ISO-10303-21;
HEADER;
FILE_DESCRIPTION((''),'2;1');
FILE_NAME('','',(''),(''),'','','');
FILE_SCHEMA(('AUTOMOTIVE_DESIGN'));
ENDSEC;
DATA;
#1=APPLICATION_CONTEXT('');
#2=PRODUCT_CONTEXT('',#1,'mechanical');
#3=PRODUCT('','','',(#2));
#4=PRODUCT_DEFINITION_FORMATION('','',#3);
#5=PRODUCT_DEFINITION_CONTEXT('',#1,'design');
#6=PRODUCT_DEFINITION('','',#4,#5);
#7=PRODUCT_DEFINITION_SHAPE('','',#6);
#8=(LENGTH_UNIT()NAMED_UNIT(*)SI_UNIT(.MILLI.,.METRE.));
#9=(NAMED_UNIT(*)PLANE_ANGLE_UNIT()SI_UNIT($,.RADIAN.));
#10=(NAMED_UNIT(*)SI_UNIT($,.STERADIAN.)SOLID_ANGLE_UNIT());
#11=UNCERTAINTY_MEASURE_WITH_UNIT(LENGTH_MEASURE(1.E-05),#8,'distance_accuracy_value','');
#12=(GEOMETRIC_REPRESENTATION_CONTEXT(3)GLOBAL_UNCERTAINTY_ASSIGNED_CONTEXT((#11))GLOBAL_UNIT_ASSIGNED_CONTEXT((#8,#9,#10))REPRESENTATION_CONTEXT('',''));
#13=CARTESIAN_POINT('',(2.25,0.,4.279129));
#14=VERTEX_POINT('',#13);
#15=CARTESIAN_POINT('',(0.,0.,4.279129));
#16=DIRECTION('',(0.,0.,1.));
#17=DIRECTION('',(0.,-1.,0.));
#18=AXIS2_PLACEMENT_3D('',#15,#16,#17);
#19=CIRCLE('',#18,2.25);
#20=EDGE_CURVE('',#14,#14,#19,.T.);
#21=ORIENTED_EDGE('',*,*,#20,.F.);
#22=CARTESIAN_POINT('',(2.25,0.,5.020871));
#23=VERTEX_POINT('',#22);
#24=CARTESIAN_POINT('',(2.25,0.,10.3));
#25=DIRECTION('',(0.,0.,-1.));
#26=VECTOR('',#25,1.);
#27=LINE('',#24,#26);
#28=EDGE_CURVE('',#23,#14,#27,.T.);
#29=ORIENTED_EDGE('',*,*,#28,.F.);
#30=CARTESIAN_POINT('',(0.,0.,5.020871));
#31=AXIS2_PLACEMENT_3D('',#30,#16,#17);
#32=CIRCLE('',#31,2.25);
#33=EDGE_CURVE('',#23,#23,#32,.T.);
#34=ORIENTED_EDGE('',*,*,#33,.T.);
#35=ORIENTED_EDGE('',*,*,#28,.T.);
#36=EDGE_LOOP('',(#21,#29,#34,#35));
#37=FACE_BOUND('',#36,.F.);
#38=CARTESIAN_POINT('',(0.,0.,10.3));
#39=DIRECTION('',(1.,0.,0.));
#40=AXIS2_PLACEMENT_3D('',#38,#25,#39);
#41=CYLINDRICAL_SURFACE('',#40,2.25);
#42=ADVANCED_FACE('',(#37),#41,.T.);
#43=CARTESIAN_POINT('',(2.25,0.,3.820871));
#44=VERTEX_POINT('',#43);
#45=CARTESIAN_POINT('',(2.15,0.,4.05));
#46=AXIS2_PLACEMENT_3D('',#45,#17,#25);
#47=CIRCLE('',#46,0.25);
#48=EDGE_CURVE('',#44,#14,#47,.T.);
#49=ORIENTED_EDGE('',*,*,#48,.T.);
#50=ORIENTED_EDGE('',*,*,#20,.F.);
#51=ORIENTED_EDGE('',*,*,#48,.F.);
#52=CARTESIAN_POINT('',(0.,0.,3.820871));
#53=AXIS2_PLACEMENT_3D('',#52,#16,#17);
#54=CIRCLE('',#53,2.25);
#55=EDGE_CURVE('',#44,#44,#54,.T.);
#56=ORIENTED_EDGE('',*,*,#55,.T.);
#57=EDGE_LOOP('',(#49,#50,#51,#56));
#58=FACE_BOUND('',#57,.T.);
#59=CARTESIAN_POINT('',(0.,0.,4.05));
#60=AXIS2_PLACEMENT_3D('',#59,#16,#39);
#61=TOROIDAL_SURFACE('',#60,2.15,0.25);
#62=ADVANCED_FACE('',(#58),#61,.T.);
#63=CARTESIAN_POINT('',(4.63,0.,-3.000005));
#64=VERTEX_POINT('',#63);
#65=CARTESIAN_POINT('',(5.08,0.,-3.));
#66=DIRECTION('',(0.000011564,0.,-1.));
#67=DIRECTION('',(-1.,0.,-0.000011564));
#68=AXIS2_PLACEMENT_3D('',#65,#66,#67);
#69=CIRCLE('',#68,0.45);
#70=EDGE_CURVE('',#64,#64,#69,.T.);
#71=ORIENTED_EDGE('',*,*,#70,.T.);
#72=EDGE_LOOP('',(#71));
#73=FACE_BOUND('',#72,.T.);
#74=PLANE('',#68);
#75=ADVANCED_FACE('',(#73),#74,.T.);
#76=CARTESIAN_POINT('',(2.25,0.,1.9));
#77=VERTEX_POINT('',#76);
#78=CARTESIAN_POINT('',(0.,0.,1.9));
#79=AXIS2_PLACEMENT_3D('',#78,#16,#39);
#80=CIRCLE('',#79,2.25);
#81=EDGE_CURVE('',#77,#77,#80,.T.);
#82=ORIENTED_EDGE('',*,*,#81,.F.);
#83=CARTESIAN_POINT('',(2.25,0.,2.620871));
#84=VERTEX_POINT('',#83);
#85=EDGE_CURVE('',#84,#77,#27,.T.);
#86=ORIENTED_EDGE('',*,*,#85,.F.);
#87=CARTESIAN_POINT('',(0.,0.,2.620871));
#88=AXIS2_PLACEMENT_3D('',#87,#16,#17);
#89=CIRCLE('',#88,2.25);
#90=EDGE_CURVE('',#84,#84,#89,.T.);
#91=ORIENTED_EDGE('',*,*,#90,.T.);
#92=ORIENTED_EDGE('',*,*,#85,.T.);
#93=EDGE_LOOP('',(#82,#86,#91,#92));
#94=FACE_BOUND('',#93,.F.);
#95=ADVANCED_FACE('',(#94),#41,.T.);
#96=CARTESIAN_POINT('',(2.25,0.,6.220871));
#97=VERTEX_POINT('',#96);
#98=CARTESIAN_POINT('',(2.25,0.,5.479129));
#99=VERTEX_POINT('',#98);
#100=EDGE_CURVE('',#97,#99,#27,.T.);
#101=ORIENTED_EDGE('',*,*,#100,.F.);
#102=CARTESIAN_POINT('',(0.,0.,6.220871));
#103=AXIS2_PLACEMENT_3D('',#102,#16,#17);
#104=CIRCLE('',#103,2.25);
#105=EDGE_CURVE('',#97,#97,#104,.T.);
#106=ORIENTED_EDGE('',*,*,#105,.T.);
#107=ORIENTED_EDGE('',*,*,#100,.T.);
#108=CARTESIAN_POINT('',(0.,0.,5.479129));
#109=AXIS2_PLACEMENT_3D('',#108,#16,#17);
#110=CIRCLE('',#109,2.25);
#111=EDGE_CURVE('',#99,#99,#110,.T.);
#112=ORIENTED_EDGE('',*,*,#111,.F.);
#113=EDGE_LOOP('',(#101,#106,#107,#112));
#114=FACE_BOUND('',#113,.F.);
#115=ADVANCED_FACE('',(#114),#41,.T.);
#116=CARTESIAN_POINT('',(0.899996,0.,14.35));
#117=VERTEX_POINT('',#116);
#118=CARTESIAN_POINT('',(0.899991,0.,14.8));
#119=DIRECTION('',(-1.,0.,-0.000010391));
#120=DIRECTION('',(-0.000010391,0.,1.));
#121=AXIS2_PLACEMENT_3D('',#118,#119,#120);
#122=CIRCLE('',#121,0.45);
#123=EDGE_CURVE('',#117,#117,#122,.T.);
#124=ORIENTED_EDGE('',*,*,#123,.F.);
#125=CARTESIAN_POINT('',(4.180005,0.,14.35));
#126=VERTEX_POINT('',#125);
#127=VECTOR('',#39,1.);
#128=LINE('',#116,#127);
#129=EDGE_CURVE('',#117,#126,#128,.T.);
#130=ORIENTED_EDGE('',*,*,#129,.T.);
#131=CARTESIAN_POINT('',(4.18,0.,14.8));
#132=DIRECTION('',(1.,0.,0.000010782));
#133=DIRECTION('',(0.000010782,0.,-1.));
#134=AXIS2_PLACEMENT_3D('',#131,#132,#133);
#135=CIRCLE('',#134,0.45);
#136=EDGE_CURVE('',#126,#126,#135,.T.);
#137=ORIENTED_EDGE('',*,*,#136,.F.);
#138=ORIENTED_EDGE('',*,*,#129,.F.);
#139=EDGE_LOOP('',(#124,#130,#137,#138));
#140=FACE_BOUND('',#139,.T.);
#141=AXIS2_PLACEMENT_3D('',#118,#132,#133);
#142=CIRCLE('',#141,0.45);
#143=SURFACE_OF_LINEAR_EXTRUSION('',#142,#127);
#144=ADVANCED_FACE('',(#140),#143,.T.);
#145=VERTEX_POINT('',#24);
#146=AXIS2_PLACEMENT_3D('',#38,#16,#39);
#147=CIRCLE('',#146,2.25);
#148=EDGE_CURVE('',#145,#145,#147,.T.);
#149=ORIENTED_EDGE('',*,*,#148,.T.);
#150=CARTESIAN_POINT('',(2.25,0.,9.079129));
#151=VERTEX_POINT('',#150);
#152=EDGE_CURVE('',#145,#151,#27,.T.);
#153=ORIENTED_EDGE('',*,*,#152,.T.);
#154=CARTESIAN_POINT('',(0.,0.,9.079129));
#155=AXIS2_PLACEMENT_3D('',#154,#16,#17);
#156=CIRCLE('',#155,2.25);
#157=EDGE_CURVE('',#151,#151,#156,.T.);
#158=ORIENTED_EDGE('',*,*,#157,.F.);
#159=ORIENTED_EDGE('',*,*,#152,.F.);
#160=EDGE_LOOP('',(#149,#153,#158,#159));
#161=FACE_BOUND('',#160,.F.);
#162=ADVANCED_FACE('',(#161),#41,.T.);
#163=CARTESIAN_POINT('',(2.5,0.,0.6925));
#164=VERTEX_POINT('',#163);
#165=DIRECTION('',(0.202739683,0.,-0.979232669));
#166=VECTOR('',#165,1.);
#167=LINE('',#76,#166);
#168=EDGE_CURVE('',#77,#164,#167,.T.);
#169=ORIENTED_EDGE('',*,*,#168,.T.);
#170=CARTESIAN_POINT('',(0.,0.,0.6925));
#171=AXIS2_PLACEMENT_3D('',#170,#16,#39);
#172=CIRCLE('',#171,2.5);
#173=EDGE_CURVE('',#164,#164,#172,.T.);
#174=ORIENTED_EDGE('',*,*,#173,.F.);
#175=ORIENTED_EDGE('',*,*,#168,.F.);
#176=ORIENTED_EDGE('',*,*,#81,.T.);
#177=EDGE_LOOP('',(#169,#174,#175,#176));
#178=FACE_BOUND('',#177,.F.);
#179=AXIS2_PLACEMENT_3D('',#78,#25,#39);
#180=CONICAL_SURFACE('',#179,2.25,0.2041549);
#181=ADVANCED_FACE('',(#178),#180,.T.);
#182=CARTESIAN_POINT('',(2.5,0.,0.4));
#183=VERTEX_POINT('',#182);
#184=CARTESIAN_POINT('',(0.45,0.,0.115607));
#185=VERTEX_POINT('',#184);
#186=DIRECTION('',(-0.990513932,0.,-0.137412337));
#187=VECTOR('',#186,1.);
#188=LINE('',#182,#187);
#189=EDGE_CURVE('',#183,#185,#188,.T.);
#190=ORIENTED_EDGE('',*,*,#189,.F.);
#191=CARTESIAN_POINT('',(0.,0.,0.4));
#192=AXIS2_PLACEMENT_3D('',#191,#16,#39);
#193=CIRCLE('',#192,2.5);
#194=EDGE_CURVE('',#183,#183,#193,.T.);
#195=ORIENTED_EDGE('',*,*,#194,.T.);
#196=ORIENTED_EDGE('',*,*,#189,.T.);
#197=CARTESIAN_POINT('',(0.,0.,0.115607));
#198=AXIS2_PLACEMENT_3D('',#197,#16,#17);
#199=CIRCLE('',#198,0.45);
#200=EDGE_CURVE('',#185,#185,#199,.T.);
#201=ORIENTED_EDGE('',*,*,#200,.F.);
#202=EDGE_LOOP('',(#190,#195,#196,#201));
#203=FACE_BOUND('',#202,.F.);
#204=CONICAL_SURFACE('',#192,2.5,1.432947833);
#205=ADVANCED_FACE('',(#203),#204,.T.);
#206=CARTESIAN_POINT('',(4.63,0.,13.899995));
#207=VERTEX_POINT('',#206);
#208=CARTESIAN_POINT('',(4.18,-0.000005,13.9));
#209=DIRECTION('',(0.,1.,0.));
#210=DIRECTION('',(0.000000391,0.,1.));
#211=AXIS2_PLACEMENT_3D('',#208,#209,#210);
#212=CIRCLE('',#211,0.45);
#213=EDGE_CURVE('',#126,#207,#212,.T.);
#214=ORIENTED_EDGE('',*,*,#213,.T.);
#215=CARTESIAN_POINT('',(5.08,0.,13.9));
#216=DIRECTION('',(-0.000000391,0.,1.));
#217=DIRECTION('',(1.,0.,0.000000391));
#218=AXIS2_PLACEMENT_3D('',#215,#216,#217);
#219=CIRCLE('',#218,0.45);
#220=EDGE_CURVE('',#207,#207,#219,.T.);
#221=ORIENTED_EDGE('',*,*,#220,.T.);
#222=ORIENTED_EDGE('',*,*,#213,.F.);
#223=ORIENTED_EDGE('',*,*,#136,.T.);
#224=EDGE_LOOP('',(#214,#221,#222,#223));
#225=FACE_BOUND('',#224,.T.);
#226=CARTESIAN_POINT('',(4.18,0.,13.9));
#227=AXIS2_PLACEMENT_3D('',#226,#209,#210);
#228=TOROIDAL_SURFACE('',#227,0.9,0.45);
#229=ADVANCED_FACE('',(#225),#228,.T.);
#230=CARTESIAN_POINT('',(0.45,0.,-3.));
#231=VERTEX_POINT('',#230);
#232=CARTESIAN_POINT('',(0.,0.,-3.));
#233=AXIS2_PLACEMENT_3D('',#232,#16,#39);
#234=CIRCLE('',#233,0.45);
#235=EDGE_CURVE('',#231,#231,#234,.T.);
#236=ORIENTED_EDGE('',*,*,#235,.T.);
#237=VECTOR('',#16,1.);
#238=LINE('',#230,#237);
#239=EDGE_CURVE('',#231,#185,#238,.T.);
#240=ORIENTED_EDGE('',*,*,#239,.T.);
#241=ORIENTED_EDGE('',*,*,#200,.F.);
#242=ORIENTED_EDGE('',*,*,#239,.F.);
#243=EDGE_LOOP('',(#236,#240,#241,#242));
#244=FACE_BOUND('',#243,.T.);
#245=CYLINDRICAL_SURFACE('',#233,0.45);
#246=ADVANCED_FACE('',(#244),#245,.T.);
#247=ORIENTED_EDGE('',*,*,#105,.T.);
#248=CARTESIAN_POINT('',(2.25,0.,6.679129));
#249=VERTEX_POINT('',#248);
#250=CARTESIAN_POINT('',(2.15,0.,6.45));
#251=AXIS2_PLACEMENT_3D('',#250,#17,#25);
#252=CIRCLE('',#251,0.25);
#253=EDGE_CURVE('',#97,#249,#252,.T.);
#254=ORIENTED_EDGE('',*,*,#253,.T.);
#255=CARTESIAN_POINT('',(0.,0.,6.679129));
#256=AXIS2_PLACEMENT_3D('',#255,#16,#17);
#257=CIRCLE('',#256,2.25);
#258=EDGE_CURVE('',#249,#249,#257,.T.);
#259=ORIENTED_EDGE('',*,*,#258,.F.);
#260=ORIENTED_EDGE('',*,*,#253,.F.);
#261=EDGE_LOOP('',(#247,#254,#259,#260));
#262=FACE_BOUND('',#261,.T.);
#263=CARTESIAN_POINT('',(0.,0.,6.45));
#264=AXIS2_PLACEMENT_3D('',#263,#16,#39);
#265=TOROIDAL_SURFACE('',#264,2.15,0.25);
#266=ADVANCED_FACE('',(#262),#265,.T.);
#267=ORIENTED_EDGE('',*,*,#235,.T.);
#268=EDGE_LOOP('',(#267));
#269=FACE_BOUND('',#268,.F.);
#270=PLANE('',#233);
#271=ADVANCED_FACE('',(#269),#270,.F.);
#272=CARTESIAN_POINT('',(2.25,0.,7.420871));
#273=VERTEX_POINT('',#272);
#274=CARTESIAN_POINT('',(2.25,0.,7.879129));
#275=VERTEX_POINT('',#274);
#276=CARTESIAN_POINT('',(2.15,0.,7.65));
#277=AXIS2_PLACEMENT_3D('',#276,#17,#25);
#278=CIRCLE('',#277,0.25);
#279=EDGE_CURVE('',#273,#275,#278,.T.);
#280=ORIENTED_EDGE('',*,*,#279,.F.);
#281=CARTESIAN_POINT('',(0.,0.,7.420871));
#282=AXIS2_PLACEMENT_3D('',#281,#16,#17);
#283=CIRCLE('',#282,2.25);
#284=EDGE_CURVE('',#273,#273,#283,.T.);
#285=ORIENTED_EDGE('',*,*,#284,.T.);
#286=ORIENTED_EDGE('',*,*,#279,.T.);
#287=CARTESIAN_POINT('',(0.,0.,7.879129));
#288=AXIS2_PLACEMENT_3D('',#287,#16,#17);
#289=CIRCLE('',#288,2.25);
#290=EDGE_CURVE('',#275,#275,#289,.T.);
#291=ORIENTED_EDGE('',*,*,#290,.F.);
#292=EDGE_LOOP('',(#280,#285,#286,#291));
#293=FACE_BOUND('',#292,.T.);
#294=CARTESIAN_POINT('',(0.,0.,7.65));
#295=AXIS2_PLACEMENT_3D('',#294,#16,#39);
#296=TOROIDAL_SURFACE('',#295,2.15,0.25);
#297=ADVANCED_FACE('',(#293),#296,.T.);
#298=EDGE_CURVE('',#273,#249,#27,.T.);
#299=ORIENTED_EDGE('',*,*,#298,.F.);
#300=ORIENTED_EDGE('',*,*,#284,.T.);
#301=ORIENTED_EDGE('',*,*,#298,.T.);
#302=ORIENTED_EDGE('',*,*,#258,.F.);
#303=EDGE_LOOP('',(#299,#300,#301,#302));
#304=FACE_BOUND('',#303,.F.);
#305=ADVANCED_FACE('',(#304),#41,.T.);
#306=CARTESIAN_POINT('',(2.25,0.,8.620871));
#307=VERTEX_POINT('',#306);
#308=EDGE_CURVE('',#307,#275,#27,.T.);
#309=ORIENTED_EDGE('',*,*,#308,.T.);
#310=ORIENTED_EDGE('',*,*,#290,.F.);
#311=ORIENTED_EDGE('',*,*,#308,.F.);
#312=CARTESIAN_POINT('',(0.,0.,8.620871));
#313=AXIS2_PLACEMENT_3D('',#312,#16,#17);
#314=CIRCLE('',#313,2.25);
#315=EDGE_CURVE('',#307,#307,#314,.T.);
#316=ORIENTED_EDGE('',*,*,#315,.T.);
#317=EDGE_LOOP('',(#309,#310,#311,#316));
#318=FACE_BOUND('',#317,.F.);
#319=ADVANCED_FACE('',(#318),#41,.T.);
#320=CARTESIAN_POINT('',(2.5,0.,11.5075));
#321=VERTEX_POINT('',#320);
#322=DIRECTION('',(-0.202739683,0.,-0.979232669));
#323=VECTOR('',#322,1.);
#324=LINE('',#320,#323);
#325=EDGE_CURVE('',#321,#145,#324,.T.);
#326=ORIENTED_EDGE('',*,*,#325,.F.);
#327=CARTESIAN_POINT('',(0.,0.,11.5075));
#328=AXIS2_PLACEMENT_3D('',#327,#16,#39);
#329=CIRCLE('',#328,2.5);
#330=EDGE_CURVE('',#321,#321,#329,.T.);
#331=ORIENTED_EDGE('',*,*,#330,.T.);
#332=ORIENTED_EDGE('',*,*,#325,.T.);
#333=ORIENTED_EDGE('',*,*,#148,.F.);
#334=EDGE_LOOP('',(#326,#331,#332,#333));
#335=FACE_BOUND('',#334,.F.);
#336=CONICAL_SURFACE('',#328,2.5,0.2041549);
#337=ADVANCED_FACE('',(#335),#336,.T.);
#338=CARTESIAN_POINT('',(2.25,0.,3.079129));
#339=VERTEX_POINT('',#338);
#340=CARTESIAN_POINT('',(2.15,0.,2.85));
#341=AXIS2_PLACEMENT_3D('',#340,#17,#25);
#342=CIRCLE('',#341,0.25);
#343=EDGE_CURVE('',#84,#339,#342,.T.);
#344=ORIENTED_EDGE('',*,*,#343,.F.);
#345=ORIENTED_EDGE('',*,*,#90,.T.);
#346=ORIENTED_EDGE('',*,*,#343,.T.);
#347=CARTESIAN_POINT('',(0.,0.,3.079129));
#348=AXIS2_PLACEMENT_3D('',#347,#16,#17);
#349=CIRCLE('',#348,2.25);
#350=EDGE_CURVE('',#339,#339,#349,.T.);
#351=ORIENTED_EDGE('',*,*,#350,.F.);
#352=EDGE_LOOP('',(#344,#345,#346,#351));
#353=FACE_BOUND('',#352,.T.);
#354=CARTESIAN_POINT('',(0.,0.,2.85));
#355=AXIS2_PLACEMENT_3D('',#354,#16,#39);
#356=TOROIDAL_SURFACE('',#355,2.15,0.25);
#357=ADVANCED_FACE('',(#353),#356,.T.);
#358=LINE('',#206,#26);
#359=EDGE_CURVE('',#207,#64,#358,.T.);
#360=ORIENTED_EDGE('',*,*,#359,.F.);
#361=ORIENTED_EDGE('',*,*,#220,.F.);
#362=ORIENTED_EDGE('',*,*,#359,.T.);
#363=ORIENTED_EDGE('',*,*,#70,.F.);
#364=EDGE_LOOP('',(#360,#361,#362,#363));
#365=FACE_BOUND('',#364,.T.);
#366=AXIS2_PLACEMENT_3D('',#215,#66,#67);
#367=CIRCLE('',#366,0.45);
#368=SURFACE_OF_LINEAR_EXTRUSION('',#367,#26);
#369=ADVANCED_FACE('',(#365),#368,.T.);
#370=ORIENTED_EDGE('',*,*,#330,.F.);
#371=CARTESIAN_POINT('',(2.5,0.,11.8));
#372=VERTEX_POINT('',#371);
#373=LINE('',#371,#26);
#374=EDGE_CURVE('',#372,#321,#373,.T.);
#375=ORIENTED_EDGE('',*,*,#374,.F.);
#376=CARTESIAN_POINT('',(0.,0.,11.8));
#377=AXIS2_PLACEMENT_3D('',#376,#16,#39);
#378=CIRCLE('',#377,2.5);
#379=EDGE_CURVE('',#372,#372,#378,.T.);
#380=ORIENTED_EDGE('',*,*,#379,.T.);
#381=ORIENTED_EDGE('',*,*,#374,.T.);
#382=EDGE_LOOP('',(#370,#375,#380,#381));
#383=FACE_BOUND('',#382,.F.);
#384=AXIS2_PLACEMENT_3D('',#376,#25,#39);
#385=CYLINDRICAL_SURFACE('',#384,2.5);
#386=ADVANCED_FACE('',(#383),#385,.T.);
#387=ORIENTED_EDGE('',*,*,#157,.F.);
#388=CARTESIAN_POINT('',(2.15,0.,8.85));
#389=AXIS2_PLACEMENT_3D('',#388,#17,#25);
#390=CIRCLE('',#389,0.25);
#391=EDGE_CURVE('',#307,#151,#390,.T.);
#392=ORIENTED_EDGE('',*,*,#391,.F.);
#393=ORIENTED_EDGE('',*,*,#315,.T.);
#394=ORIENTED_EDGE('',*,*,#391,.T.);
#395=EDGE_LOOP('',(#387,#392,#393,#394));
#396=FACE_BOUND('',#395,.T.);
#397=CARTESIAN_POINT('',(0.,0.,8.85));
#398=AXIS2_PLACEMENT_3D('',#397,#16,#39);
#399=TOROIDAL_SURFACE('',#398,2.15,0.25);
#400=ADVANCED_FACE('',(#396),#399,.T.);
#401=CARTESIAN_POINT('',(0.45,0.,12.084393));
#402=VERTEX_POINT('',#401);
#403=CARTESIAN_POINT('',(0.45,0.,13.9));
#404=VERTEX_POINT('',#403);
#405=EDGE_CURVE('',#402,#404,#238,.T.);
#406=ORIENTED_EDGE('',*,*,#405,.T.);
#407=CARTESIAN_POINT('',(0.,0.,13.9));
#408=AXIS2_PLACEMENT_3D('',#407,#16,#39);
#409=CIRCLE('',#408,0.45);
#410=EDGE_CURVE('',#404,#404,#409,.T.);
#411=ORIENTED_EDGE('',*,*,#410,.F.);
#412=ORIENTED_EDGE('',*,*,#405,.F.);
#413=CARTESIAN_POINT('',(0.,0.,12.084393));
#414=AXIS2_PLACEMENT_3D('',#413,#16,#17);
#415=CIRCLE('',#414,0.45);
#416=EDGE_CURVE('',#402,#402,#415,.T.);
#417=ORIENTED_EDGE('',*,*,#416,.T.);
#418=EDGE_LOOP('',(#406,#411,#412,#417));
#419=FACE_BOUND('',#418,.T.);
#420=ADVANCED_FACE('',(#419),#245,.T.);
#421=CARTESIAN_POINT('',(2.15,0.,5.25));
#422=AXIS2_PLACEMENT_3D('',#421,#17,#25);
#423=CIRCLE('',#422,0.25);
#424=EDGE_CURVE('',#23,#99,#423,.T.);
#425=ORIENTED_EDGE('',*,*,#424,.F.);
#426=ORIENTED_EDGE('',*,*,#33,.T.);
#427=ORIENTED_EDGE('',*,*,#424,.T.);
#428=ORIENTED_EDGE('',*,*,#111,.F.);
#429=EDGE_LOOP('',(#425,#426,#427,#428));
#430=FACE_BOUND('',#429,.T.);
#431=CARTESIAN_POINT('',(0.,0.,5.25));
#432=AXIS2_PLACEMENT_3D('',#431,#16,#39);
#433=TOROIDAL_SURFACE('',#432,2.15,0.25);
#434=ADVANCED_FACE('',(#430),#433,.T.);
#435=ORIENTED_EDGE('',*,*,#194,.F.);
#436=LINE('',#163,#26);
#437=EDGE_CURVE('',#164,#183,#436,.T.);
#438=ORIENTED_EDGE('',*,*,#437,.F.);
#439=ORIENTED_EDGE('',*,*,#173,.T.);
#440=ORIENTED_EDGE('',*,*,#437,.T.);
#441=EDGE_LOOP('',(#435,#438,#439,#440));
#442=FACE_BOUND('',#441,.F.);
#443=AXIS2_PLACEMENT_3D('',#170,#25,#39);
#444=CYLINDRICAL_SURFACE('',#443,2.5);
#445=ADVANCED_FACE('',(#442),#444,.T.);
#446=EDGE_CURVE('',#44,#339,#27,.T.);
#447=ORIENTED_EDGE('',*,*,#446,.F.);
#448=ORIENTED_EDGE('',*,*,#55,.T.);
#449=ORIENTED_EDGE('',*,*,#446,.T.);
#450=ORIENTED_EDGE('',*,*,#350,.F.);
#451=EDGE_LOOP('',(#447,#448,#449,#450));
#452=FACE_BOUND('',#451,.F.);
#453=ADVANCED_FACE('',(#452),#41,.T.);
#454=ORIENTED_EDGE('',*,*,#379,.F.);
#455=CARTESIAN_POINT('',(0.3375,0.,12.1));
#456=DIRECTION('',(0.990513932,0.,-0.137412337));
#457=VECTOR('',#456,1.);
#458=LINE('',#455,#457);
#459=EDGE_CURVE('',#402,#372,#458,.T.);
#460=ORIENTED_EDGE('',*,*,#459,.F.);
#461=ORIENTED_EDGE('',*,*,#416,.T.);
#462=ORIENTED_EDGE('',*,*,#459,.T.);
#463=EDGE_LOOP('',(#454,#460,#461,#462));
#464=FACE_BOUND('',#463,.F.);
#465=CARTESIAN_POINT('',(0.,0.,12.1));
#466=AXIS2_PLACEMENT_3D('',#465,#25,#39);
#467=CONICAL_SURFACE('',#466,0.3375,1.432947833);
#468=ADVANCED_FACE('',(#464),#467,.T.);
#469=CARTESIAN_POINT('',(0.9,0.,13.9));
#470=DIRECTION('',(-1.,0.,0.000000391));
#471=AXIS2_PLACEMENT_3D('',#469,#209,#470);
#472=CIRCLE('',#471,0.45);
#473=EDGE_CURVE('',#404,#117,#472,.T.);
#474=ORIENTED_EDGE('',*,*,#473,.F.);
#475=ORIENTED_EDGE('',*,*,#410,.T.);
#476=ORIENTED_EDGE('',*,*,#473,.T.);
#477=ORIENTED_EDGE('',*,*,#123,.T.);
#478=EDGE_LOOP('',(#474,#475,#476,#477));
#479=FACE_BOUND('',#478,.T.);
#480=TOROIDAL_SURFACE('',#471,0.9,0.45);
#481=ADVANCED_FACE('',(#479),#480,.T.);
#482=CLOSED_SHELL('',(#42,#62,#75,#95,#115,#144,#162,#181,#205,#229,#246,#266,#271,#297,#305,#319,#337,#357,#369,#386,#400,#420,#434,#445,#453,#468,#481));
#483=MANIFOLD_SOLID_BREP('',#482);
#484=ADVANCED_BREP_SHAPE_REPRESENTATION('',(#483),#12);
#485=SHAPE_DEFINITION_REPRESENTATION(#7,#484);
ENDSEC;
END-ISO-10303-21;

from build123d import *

# Parameters (mm, degrees)
SKETCH_R = 0.45


with BuildPart() as revolution:
    # Sketch002 → Revolution (revolve)
    with BuildSketch(Plane.XZ):
        Polygon((0, 0.1), (0, 12.1), (0.3375, 12.1), (2.5, 11.8), (2.5, 11.5075), (2.25, 10.3), (2.25, 1.9), (2.5, 0.6925), (2.5, 0.4), (0.3375, 0.1), align=None)
    revolve(axis=Axis((0, 0, 0), (0, 0, 1)))


with BuildPart() as sweep_body:
    # Sweep: sweep along a path in Sketch001
    with BuildLine(Plane.XZ) as sweep_path:
        Line((0, -3), (0, 13.9))
        ThreePointArc((0, 13.9), (0.263601, 14.536393), (0.899991, 14.8))
        Line((0.899991, 14.8), (4.18, 14.8))
        ThreePointArc((4.18, 14.8), (4.816396, 14.536396), (5.08, 13.9))
        Line((5.08, 13.9), (5.08, -3))
    # Sketch → Sweep (sweep)
    with BuildSketch(Plane.XY.offset(-2)):
        Circle(SKETCH_R)
    sweep(path=sweep_path.line)


with BuildPart() as revolution001_mp_cp:
    # Sketch003 → Revolution001 (revolve)
    with BuildSketch(Plane.XZ):
        with BuildLine():
            Line((2, 9.8), (2, 1.9))
            Line((2, 1.9), (2.15, 1.9))
            Line((2.15, 1.9), (2.15, 2.6))
            ThreePointArc((2.15, 2.6), (2.4, 2.85), (2.15, 3.1))
            Line((2.15, 3.1), (2.15, 3.8))
            ThreePointArc((2.15, 3.8), (2.4, 4.05), (2.15, 4.3))
            Line((2.15, 4.3), (2.15, 5))
            ThreePointArc((2.15, 5), (2.4, 5.25), (2.15, 5.5))
            Line((2.15, 5.5), (2.15, 6.2))
            ThreePointArc((2.15, 6.2), (2.4, 6.45), (2.15, 6.7))
            Line((2.15, 6.7), (2.15, 7.4))
            ThreePointArc((2.15, 7.4), (2.4, 7.65), (2.15, 7.9))
            Line((2.15, 7.9), (2.15, 8.6))
            ThreePointArc((2.15, 8.6), (2.4, 8.85), (2.15, 9.1))
            Line((2.15, 9.8), (2.15, 9.1))
            Line((2, 9.8), (2.15, 9.8))
        make_face()
    revolve(axis=Axis((0, 0, 0), (0, 0, 1)))

    # Revolution001_mp_cp: union Revolution, Sweep body
    add(revolution.part)
    add(sweep_body.part)


solid = revolution001_mp_cp.part
